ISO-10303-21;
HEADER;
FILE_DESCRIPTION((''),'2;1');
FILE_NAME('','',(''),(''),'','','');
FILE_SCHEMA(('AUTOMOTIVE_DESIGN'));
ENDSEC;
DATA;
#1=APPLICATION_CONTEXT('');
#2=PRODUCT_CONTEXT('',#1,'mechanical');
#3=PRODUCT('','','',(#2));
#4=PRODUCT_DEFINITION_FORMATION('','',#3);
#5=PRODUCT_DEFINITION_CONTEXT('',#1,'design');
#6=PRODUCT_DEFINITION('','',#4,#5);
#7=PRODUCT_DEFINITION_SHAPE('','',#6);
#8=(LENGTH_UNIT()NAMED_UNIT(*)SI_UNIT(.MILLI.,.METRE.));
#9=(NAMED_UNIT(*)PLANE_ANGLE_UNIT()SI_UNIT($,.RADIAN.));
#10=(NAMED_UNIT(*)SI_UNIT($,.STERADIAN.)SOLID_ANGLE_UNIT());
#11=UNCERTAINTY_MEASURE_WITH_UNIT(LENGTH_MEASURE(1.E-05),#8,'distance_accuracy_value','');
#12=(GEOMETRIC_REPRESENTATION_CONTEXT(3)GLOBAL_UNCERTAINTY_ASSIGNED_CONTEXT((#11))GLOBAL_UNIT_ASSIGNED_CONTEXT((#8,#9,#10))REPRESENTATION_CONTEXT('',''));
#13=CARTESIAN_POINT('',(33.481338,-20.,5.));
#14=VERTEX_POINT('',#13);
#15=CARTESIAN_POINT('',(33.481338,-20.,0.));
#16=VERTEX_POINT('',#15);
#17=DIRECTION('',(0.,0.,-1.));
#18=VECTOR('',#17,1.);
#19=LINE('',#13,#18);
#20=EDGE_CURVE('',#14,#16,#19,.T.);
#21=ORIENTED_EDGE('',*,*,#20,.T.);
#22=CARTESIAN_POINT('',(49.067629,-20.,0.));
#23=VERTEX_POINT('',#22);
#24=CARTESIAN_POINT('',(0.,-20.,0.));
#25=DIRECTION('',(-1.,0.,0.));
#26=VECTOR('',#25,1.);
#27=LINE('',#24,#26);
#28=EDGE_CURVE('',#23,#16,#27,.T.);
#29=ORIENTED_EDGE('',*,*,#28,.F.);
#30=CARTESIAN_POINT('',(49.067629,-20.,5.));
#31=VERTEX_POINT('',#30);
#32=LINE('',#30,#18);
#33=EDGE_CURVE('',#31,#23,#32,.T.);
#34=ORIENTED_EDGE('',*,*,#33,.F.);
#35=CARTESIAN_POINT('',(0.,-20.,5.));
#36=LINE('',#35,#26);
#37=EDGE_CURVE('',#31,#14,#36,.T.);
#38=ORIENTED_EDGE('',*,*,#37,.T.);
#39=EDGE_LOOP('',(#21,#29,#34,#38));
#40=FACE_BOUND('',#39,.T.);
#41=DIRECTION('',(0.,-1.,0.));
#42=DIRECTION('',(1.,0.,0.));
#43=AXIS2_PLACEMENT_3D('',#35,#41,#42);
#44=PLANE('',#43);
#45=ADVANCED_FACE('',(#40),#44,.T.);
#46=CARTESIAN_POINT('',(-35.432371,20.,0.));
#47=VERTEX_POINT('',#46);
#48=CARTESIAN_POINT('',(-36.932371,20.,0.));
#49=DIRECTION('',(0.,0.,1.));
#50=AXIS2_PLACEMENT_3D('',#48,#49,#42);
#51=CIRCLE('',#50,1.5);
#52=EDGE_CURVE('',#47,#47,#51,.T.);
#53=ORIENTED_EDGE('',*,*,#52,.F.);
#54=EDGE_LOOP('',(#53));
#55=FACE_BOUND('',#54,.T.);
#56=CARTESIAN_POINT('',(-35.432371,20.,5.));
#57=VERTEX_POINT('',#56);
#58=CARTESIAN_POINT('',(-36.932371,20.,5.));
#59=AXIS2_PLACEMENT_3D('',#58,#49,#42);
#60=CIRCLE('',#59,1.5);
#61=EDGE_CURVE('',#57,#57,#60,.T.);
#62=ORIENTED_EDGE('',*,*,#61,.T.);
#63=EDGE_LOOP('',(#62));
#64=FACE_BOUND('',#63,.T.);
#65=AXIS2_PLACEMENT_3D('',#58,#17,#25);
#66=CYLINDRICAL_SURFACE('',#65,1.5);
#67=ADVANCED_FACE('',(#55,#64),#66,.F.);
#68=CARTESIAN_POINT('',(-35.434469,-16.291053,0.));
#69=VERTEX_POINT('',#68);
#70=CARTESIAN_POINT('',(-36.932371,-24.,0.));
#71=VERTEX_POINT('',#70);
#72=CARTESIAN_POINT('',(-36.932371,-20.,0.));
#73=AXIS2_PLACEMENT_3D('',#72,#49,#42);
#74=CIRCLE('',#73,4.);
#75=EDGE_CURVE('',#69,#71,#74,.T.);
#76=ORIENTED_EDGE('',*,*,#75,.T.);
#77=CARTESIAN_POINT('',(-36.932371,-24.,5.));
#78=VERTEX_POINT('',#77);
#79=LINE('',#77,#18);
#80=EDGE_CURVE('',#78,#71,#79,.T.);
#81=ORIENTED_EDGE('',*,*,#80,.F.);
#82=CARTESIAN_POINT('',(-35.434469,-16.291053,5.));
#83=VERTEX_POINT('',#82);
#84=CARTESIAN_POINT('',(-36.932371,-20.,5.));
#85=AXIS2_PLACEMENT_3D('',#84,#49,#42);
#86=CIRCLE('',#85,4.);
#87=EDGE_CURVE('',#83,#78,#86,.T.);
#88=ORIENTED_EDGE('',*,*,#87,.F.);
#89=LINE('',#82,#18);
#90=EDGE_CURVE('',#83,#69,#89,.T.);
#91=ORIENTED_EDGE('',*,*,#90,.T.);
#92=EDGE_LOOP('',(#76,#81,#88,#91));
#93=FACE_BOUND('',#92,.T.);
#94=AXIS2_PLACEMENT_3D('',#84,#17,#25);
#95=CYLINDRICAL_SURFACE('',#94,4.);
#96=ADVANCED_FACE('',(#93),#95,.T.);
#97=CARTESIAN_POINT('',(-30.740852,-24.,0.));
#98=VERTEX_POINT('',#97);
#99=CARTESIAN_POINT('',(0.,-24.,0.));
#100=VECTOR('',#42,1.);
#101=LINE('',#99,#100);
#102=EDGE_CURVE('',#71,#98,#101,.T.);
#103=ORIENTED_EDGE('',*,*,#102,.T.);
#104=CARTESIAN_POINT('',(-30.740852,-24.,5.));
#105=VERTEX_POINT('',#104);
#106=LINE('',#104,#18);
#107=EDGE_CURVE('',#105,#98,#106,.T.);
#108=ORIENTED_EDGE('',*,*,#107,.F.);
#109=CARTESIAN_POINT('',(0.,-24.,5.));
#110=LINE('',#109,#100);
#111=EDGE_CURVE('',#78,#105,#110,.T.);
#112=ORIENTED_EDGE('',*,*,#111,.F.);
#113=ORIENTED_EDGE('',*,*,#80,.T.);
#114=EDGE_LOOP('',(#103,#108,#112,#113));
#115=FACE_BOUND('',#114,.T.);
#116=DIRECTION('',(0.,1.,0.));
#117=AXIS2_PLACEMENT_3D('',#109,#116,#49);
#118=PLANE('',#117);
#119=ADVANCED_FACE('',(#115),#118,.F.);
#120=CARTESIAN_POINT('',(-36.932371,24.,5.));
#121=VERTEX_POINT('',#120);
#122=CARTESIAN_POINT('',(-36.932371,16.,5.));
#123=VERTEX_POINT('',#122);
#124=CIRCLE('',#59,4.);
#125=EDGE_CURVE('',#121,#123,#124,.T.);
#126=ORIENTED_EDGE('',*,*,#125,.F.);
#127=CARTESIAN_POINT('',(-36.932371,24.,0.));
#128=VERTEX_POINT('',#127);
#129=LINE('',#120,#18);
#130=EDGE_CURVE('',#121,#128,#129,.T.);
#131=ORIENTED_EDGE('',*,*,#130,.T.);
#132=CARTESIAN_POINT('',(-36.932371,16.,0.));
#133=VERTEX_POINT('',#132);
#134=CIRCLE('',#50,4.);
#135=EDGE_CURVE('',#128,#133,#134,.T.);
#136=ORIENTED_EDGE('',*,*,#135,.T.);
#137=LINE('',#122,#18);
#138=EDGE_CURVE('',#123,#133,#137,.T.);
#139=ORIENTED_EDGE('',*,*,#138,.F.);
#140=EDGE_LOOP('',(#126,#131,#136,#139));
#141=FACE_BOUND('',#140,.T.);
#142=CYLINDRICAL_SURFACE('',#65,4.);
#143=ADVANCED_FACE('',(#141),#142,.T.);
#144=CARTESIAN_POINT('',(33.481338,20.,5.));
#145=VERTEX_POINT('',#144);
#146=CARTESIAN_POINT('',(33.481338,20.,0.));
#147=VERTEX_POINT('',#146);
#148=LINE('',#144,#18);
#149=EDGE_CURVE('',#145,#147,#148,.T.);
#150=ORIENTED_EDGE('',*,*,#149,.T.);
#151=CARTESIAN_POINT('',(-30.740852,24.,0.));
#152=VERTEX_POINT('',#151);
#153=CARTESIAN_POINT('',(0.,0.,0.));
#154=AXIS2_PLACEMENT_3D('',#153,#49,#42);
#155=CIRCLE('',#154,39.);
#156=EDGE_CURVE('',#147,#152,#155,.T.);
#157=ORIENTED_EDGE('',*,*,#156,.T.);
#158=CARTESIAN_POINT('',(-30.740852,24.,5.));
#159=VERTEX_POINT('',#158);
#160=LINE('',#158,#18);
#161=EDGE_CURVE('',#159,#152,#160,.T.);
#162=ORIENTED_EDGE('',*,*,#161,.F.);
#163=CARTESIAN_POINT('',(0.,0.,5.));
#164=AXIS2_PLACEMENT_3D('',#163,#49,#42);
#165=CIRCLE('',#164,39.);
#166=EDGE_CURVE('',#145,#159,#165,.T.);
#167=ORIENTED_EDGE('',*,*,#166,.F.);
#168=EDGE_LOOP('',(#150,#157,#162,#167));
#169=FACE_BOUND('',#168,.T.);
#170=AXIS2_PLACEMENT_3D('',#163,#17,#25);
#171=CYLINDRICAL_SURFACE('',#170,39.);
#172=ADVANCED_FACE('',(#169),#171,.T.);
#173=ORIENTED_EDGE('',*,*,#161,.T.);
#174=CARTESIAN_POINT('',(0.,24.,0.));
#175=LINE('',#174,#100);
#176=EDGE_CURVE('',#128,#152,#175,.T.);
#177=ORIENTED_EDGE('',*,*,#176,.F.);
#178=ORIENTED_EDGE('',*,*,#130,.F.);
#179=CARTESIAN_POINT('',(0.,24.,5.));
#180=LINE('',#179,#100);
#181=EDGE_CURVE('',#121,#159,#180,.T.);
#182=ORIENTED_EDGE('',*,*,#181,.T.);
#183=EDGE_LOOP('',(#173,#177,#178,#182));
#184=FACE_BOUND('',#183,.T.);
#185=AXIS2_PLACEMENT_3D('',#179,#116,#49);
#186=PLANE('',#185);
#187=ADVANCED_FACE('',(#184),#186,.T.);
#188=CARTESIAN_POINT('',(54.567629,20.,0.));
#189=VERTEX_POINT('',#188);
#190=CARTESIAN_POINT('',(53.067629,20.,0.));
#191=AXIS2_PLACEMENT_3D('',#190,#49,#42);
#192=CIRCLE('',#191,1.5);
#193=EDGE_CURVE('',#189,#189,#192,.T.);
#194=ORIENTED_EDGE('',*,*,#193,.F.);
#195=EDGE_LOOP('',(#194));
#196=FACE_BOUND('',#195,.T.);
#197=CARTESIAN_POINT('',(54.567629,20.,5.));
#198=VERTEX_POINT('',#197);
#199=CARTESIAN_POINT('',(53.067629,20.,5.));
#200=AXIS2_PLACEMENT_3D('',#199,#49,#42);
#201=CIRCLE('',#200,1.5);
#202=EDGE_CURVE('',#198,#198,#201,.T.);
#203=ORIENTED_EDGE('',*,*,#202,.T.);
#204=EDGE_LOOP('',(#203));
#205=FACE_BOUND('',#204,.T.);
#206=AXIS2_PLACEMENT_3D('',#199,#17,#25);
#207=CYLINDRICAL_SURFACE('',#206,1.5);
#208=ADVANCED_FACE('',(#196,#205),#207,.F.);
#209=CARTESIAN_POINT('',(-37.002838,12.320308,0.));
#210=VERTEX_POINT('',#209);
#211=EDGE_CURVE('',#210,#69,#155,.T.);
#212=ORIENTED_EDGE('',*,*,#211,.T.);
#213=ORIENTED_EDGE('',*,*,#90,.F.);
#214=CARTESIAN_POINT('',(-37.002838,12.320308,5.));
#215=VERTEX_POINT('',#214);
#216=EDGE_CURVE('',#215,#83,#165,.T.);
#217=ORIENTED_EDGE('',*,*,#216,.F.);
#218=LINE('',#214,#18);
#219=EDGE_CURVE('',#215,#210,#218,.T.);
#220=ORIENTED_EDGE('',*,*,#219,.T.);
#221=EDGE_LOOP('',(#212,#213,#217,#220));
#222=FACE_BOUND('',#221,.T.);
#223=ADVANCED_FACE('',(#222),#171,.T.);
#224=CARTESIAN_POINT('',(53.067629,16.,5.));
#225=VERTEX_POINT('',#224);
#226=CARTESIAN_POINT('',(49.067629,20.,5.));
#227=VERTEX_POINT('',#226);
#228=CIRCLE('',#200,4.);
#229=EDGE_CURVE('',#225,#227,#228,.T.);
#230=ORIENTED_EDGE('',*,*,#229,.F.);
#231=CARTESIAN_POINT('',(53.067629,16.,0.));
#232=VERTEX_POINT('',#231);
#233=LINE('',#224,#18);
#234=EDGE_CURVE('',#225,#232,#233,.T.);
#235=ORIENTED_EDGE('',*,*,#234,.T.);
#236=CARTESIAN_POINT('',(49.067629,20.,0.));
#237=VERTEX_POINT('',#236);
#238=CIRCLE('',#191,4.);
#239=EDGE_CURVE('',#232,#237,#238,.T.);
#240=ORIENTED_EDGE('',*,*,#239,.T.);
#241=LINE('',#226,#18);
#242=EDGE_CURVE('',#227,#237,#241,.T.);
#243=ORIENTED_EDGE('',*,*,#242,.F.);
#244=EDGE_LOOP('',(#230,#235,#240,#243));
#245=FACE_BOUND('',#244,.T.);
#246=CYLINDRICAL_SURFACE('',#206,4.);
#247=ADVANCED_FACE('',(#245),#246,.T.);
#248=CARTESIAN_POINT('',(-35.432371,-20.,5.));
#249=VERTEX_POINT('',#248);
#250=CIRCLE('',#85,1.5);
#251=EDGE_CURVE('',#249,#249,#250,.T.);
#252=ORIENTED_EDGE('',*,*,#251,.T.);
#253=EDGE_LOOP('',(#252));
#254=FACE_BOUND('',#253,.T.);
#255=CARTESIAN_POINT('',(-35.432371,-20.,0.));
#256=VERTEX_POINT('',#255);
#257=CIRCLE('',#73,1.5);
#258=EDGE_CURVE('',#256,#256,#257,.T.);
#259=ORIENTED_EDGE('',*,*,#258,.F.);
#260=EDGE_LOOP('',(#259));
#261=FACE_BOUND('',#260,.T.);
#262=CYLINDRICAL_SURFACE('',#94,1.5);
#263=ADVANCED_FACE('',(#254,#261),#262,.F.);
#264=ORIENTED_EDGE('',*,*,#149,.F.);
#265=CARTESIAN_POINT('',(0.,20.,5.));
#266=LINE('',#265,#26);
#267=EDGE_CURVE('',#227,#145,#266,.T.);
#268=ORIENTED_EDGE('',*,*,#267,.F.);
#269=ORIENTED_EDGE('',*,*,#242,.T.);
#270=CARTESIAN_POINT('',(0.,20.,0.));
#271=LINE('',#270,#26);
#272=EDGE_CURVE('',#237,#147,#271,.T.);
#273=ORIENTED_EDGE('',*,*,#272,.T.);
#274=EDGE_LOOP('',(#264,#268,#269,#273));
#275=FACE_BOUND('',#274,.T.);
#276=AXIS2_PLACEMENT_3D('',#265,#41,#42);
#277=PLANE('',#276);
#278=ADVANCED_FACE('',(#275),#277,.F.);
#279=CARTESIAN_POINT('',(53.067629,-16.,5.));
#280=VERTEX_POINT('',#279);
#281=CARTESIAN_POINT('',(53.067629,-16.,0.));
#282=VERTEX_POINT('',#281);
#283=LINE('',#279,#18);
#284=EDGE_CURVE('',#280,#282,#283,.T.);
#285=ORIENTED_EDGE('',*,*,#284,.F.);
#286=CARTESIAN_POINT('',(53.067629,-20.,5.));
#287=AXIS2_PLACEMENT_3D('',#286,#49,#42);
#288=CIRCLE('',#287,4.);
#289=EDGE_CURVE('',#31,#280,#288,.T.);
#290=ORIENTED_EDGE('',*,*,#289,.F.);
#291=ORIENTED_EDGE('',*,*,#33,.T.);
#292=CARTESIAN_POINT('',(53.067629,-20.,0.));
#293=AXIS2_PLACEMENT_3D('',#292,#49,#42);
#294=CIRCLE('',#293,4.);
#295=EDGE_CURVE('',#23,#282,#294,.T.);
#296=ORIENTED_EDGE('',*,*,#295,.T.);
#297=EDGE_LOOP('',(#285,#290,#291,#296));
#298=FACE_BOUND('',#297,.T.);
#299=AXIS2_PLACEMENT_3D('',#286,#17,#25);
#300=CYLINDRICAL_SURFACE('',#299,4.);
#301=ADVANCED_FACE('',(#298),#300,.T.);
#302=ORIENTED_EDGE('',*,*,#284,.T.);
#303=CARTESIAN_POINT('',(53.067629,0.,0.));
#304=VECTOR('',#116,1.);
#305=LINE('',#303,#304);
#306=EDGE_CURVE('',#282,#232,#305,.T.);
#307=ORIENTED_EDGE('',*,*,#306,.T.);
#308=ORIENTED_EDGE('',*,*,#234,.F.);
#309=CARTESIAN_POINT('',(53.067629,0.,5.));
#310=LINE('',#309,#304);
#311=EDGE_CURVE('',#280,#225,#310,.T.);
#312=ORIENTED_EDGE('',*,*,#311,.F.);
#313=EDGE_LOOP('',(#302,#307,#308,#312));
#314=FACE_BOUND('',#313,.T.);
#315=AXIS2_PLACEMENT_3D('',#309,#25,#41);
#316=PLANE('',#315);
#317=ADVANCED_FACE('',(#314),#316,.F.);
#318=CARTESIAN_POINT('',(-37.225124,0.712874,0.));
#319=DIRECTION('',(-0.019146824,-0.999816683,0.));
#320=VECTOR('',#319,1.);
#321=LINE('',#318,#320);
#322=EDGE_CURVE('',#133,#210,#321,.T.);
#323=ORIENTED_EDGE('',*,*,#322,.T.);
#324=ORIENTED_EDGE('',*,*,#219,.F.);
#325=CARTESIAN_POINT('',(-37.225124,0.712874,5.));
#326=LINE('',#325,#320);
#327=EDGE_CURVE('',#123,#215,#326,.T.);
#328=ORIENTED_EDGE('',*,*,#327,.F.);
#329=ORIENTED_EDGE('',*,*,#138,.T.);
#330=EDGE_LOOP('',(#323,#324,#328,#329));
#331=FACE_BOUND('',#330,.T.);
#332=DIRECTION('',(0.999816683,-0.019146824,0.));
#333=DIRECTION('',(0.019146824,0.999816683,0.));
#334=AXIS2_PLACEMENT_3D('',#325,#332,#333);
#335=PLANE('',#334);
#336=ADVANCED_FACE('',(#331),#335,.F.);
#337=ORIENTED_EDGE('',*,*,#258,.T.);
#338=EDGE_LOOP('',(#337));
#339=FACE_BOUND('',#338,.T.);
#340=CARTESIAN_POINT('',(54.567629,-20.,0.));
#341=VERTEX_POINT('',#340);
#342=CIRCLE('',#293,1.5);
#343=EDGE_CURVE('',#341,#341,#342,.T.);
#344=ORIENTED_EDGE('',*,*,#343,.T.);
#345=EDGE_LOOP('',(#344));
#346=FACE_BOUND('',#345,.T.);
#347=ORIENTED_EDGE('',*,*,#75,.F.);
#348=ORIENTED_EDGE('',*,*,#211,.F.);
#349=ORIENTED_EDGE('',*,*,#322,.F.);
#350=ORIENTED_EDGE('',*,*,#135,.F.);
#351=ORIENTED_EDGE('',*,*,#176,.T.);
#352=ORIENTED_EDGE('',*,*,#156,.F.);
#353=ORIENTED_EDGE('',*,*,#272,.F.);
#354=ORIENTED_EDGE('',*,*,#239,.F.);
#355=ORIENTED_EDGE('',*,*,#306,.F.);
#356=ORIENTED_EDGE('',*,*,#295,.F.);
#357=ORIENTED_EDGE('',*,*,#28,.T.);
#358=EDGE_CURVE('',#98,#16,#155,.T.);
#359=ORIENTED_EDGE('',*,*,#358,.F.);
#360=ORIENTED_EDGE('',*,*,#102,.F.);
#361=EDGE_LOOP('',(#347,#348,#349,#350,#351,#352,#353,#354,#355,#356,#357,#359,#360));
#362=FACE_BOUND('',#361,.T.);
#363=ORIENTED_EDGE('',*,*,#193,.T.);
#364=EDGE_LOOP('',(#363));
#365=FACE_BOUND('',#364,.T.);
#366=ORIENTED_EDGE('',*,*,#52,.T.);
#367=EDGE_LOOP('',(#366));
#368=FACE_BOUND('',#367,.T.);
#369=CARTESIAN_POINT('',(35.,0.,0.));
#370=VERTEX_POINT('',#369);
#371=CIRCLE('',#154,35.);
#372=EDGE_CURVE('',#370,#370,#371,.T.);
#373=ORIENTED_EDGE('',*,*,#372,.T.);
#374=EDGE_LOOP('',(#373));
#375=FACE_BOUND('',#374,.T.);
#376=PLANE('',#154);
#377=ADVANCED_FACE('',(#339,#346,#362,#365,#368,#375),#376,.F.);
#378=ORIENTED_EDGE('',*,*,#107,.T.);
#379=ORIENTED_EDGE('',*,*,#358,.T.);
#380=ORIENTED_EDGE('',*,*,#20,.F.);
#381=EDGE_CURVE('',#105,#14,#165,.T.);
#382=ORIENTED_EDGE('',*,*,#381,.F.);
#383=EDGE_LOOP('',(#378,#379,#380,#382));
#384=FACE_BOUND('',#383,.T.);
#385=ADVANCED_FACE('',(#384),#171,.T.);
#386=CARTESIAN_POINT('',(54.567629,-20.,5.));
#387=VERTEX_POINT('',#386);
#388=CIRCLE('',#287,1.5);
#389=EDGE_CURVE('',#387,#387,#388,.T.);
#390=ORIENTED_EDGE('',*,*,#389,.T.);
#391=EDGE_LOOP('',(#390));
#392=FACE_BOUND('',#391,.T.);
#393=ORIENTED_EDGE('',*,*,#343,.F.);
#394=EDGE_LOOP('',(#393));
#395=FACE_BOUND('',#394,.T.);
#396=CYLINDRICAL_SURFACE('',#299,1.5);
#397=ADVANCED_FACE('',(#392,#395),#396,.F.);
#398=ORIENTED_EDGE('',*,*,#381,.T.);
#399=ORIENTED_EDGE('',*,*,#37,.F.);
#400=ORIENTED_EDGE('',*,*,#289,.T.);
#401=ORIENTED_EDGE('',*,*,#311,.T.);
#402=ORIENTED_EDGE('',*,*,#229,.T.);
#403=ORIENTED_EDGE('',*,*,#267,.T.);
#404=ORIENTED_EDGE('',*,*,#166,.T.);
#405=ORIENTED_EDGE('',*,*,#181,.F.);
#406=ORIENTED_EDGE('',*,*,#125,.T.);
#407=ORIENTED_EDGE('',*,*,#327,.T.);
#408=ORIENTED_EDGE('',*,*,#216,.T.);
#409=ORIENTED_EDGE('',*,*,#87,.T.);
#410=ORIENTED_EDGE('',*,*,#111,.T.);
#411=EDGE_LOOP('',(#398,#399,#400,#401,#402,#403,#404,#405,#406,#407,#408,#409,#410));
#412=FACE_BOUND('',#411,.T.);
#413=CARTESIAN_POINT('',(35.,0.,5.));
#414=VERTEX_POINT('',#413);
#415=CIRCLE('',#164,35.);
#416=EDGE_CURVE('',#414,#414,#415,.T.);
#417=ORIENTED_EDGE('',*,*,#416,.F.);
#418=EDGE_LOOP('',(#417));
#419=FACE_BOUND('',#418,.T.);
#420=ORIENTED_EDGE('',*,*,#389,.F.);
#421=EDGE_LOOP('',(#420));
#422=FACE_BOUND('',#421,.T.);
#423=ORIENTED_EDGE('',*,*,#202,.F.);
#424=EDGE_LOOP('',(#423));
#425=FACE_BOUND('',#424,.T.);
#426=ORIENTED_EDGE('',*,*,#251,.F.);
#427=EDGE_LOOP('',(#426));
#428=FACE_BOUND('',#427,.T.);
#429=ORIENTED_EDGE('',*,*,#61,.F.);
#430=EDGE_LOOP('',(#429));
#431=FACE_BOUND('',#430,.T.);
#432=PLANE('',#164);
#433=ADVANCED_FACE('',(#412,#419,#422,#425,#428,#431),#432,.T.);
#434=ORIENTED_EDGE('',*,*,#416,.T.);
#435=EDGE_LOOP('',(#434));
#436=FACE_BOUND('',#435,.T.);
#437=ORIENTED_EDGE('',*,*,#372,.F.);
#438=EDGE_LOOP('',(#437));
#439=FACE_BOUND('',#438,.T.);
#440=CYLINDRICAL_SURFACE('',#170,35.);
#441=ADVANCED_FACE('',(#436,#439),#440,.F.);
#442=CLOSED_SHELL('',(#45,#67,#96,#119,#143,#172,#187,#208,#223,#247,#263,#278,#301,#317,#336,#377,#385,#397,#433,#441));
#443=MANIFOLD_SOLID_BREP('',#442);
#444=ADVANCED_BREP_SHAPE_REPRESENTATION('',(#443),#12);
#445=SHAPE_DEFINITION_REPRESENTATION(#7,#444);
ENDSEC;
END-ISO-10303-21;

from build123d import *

# Parameters (mm, degrees)
SKETCH1_R           = 1.5
SKETCH1_R_2         = 35
BOSS_EXTRUDE1_DEPTH = 5


with BuildPart() as part:
    # Sketch1 → Boss-Extrude1 (new body)
    with BuildSketch(Plane.XY):
        with BuildLine():
            Line((-30.740852298, 24), (-36.932370625, 24))
            ThreePointArc((-36.932370625, 24), (-40.932370625, 20), (-36.932370625, 16))
            Line((-36.932370625, 16), (-37.002837962, 12.320307738))
            ThreePointArc((-37.002837962, 12.320307738), (-38.941537608, -2.134630811), (-35.434469198, -16.291052533))
            ThreePointArc((-35.434469198, -16.291052533), (-40.858933363, -19.237041898), (-36.932370625, -24))
            Line((-36.932370625, -24), (-30.740852298, -24))
            ThreePointArc((-30.740852298, -24), (2.424369111, -38.924573657), (33.481338086, -20))
            Line((33.481338086, -20), (49.067629375, -20))
            ThreePointArc((49.067629375, -20), (55.8960565, -22.828427125), (53.067629375, -16))
            Line((53.067629375, -16), (53.067629375, 16))
            ThreePointArc((53.067629375, 16), (55.8960565, 22.828427125), (49.067629375, 20))
            Line((49.067629375, 20), (33.481338086, 20))
            ThreePointArc((33.481338086, 20), (2.424369111, 38.924573657), (-30.740852298, 24))
        make_face()
        with Locations((-36.932370625, -20)):
            Circle(SKETCH1_R, mode=Mode.SUBTRACT)
        with Locations((53.067629375, -20)):
            Circle(SKETCH1_R, mode=Mode.SUBTRACT)
        Circle(SKETCH1_R_2, mode=Mode.SUBTRACT)
        with Locations((-36.932370625, 20)):
            Circle(SKETCH1_R, mode=Mode.SUBTRACT)
        with Locations((53.067629375, 20)):
            Circle(SKETCH1_R, mode=Mode.SUBTRACT)
    extrude(amount=BOSS_EXTRUDE1_DEPTH)


solid = part.part
